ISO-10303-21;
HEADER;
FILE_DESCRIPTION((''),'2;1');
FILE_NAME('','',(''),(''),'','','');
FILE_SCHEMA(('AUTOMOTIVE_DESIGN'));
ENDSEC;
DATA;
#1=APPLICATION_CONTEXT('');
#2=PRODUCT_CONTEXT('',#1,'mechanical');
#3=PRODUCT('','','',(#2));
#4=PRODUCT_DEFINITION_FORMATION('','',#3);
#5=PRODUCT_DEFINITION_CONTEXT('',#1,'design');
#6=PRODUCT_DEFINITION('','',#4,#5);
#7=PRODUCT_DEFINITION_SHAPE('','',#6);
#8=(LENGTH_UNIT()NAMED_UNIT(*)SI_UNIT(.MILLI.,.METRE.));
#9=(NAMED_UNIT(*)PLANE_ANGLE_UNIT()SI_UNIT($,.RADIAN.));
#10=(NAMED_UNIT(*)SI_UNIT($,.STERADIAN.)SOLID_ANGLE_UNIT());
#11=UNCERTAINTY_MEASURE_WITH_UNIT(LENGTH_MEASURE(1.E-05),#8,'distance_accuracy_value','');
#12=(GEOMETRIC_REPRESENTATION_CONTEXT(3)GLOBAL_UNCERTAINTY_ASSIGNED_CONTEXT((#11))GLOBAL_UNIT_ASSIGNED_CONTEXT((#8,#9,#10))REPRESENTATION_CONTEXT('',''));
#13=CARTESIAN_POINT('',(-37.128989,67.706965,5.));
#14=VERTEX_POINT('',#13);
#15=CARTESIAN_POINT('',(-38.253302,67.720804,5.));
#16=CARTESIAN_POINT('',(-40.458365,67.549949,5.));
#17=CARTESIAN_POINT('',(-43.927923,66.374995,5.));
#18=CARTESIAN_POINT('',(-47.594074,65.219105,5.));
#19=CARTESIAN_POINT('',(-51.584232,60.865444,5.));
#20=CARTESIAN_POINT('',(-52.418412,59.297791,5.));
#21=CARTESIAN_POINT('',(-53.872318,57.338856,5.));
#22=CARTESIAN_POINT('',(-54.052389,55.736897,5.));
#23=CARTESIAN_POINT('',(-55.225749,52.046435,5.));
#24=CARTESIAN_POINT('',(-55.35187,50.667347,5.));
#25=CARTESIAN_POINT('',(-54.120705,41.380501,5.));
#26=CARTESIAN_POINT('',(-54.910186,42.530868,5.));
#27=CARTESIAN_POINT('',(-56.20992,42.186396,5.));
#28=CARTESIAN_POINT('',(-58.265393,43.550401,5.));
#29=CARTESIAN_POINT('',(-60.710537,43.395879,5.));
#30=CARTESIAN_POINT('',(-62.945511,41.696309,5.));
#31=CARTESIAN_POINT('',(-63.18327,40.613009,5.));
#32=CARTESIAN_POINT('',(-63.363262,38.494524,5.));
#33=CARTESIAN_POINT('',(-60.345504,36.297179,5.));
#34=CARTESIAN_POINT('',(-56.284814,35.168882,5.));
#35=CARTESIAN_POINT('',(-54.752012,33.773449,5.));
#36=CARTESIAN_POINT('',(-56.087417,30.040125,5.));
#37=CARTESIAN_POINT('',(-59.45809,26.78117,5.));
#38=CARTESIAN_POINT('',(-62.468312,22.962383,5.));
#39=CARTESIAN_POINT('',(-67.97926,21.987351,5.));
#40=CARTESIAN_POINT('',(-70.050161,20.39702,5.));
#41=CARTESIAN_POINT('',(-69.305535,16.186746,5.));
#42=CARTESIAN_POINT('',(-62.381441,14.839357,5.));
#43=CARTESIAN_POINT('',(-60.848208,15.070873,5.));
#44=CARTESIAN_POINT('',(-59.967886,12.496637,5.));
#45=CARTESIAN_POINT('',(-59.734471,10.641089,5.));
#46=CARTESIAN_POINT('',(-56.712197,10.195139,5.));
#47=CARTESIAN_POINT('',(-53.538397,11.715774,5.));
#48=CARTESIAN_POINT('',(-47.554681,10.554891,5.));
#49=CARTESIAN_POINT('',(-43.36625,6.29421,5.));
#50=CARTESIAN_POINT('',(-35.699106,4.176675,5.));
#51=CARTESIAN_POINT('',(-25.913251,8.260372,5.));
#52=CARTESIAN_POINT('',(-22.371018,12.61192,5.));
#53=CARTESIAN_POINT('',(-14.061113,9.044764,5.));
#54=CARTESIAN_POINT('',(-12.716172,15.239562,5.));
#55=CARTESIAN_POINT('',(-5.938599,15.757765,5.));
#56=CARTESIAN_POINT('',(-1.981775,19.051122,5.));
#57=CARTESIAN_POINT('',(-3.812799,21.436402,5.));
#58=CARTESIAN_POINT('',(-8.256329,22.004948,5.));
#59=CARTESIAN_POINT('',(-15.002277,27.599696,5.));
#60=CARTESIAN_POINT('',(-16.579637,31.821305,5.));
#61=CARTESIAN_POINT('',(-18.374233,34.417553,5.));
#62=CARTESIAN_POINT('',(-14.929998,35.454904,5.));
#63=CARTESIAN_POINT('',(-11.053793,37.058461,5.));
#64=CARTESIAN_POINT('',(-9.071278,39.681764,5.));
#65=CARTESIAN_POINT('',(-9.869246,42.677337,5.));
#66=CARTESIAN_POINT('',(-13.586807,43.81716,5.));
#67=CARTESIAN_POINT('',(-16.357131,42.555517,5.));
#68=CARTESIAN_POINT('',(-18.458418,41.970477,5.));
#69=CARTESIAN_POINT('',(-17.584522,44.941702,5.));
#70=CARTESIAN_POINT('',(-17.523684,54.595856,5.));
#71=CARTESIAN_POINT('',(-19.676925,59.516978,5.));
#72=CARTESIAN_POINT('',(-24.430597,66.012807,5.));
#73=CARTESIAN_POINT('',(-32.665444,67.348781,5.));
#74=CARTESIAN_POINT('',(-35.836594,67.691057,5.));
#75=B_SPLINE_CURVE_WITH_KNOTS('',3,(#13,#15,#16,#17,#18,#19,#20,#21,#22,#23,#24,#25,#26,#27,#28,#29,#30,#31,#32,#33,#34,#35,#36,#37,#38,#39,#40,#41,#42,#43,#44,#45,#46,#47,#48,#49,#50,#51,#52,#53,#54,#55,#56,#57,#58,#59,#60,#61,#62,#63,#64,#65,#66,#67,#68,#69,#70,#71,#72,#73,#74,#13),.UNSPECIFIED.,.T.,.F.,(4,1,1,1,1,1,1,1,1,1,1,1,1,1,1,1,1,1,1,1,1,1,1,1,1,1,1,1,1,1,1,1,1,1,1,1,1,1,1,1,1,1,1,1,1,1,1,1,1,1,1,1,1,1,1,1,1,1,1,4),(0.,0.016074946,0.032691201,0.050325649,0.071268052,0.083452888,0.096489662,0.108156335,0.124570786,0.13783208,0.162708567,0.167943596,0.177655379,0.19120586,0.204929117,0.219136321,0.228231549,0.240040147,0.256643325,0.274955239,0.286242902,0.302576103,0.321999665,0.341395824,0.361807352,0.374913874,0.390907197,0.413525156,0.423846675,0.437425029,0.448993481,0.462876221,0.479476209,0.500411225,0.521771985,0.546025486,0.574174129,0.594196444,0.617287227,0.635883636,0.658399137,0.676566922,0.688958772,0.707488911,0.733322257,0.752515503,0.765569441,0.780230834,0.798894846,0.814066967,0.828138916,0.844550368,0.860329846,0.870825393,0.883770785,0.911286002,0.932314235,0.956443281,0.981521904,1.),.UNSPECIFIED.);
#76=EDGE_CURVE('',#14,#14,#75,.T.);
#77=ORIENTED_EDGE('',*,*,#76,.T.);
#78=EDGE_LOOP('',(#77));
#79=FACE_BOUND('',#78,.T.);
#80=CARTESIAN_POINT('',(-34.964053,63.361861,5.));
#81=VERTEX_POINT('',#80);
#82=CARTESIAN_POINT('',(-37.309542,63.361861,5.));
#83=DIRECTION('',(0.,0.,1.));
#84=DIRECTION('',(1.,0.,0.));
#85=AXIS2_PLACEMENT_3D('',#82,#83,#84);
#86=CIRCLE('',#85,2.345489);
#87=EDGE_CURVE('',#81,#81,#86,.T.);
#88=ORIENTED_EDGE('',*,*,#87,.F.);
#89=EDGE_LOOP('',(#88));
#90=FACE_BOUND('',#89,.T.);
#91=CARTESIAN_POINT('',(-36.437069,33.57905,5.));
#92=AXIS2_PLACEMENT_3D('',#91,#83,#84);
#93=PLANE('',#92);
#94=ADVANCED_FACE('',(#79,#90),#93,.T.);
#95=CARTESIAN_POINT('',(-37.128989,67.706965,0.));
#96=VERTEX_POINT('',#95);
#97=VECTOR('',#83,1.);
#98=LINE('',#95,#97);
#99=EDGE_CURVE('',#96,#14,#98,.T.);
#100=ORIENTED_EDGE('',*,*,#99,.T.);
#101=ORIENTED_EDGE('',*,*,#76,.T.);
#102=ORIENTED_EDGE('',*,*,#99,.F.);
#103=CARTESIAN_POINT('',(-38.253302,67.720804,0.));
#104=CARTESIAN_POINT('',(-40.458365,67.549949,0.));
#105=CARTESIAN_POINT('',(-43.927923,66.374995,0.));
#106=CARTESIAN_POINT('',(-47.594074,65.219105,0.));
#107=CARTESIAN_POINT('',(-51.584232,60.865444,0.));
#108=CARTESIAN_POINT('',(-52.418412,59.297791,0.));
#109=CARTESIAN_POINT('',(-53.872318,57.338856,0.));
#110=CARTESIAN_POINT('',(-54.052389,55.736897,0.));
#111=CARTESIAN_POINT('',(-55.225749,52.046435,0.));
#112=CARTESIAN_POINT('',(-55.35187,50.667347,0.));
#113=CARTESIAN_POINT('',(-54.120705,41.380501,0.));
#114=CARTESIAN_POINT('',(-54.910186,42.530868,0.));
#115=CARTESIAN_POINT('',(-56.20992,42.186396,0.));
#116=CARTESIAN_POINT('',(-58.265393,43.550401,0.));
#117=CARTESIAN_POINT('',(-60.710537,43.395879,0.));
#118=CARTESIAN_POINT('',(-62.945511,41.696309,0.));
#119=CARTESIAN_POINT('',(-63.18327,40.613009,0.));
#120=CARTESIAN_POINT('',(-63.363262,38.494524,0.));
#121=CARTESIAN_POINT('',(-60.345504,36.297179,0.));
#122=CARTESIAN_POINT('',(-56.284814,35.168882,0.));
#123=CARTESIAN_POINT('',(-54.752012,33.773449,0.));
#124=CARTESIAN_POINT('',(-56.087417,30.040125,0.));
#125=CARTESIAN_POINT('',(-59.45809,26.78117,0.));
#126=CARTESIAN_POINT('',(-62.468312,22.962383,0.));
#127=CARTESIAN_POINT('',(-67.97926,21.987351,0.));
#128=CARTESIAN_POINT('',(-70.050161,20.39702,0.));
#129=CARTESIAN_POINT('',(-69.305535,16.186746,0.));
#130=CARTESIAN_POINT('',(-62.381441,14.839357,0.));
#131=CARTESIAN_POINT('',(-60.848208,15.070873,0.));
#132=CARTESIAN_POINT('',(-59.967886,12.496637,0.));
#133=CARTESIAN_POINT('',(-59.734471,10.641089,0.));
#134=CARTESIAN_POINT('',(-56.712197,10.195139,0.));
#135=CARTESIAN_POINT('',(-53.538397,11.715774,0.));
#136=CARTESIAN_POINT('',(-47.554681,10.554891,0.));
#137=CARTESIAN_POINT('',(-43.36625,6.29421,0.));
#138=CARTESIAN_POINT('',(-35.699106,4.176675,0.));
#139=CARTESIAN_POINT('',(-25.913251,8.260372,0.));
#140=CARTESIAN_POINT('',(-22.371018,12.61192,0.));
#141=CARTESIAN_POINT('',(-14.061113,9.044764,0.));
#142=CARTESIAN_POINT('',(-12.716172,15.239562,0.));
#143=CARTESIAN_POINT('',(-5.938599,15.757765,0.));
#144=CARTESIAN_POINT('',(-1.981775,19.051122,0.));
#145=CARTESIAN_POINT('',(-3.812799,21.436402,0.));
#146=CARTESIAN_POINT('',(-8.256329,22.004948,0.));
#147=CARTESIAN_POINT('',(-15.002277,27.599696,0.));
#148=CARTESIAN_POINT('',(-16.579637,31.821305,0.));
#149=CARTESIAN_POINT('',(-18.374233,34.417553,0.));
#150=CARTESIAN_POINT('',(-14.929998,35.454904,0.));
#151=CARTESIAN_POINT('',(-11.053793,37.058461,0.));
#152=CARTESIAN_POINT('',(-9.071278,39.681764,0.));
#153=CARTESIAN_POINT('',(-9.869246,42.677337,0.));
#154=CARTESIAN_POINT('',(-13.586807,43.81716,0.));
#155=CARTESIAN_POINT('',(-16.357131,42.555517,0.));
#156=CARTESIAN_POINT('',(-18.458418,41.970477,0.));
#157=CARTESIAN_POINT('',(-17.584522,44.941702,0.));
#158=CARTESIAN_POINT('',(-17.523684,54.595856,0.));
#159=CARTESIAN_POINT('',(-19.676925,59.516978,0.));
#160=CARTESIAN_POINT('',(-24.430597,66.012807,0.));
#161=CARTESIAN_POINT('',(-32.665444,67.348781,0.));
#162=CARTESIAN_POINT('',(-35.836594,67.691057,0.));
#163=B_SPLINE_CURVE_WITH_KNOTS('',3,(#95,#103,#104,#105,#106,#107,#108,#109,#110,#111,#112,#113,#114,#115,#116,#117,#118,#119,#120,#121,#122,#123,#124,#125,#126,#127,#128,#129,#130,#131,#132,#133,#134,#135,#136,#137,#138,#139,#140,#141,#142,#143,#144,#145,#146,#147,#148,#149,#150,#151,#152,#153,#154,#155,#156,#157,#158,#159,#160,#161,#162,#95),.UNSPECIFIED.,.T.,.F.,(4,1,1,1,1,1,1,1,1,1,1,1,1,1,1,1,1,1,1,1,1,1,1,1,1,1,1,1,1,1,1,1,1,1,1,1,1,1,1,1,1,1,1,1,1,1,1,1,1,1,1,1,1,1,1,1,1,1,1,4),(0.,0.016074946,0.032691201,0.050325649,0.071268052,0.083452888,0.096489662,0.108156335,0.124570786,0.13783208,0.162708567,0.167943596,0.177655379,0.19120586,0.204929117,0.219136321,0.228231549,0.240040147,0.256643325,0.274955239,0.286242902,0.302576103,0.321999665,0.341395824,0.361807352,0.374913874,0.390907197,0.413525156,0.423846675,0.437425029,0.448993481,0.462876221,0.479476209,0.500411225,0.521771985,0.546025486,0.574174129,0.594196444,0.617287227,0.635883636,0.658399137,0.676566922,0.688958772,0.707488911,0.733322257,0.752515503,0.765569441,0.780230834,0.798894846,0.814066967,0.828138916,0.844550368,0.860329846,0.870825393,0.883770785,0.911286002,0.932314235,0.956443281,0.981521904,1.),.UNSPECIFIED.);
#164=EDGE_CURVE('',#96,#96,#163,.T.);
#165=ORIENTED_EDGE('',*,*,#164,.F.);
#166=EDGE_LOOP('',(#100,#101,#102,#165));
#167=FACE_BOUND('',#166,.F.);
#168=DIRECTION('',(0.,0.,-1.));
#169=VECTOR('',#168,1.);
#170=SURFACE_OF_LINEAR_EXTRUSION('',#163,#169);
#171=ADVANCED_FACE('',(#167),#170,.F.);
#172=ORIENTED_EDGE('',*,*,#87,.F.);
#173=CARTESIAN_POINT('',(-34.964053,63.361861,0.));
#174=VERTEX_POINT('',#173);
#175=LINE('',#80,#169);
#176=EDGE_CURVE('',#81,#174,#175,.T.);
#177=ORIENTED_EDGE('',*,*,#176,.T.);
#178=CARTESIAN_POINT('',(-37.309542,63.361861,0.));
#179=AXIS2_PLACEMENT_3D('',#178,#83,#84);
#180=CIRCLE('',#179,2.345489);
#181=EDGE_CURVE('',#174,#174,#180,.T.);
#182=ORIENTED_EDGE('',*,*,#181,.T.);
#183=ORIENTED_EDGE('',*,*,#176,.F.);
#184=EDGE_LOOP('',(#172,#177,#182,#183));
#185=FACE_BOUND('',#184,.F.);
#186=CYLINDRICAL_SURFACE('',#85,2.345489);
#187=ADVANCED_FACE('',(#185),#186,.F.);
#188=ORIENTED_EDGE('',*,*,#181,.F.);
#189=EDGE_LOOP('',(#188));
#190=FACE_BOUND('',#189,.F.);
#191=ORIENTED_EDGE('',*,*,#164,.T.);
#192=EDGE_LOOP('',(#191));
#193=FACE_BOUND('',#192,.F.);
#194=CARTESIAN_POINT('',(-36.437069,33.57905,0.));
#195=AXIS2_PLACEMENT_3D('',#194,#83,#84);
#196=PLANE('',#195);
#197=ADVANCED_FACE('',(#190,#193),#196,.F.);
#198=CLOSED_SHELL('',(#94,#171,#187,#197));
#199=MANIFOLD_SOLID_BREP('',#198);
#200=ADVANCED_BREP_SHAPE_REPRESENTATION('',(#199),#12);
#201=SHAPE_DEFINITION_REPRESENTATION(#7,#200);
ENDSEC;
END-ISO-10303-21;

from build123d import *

# Parameters (mm, degrees)
F1_DEPTH = 5
F2_R     = 2.3454891806
F3_DEPTH = 5


with BuildPart() as f1:
    # F0 (on Top) → F1 (new body)
    with BuildSketch(Plane.XY):
        with BuildLine():
            add(Edge.make_bspline(
                [(-37.1289886534, 67.70696491), (-38.2533023603, 67.7208039663), (-40.4583654203, 67.5499492062), (-43.9279229425, 66.3749947753), (-47.5940740418, 65.2191045144), (-51.5842316862, 60.8654438819), (-52.4184120286, 59.2977906535), (-53.8723176119, 57.3388560259), (-54.052388683, 55.7368968375), (-55.2257490104, 52.0464353805), (-55.3518695975, 50.6673468835), (-54.1207050017, 41.3805013482), (-54.9101862245, 42.5308681053), (-56.2099200448, 42.1863958678), (-58.2653925724, 43.5504008927), (-60.7105366278, 43.3958793618), (-62.9455109758, 41.6963085653), (-63.1832697259, 40.6130086768), (-63.3632617564, 38.4945237282), (-60.3455036003, 36.2971794192), (-56.2848139104, 35.1688823711), (-54.752012392, 33.7734489197), (-56.0874169801, 30.0401245742), (-59.4580896762, 26.7811704935), (-62.4683120906, 22.9623832946), (-67.9792602194, 21.9873505739), (-70.050160734, 20.3970201714), (-69.305535064, 16.1867458974), (-62.3814413213, 14.8393565383), (-60.8482081768, 15.0708727697), (-59.9678855403, 12.4966373856), (-59.7344710212, 10.6410887114), (-56.7121970784, 10.1951389297), (-53.5383968594, 11.715774087), (-47.5546805339, 10.5548912854), (-43.3662497627, 6.2942102789), (-35.6991061491, 4.1766754536), (-25.9132505319, 8.2603718612), (-22.3710179597, 12.6119204268), (-14.0611129556, 9.0447643173), (-12.7161724609, 15.2395618157), (-5.9385989562, 15.7577646681), (-1.981774659, 19.0511219275), (-3.8127990095, 21.4364016447), (-8.2563289809, 22.0049480923), (-15.002276849, 27.5996955857), (-16.5796370735, 31.8213046412), (-18.3742329309, 34.4175530293), (-14.9299980486, 35.4549043237), (-11.0537932092, 37.0584610185), (-9.0712783485, 39.6817641407), (-9.8692460843, 42.677337389), (-13.5868068775, 43.8171601699), (-16.3571313245, 42.55551748), (-18.4584180579, 41.970477136), (-17.5845224848, 44.9417019669), (-17.5236840923, 54.595855837), (-19.6769248366, 59.5169776622), (-24.4305965908, 66.0128069753), (-32.66544428, 67.3487813072), (-35.8365938722, 67.6910569619), (-37.1289886534, 67.70696491)],
                knots=[0, 0, 0, 0, 0.016074946, 0.0326912006, 0.0503256488, 0.071268052, 0.0834528883, 0.0964896616, 0.1081563347, 0.1245707858, 0.1378320802, 0.1627085672, 0.1679435962, 0.1776553793, 0.19120586, 0.2049291171, 0.219136321, 0.2282315491, 0.2400401473, 0.2566433253, 0.2749552389, 0.2862429022, 0.3025761029, 0.3219996652, 0.341395824, 0.3618073524, 0.3749138742, 0.390907197, 0.4135251557, 0.423846675, 0.4374250292, 0.448993481, 0.4628762209, 0.4794762092, 0.5004112254, 0.5217719846, 0.546025486, 0.574174129, 0.5941964444, 0.6172872267, 0.6358836359, 0.6583991369, 0.6765669221, 0.6889587722, 0.7074889113, 0.7333222566, 0.7525155034, 0.7655694415, 0.7802308344, 0.7988948465, 0.8140669675, 0.8281389159, 0.8445503681, 0.8603298463, 0.8708253935, 0.8837707848, 0.9112860017, 0.9323142349, 0.9564432812, 0.9815219043, 1, 1, 1, 1], degree=3))
        make_face()
    extrude(amount=F1_DEPTH)

    # F2 (on face) → F3 (cut)
    with BuildSketch(Plane.XY.offset(5)):
        with Locations((-37.3095422983, 63.3618608117)):
            Circle(F2_R)
    extrude(amount=-F3_DEPTH, mode=Mode.SUBTRACT)


solid = f1.part
